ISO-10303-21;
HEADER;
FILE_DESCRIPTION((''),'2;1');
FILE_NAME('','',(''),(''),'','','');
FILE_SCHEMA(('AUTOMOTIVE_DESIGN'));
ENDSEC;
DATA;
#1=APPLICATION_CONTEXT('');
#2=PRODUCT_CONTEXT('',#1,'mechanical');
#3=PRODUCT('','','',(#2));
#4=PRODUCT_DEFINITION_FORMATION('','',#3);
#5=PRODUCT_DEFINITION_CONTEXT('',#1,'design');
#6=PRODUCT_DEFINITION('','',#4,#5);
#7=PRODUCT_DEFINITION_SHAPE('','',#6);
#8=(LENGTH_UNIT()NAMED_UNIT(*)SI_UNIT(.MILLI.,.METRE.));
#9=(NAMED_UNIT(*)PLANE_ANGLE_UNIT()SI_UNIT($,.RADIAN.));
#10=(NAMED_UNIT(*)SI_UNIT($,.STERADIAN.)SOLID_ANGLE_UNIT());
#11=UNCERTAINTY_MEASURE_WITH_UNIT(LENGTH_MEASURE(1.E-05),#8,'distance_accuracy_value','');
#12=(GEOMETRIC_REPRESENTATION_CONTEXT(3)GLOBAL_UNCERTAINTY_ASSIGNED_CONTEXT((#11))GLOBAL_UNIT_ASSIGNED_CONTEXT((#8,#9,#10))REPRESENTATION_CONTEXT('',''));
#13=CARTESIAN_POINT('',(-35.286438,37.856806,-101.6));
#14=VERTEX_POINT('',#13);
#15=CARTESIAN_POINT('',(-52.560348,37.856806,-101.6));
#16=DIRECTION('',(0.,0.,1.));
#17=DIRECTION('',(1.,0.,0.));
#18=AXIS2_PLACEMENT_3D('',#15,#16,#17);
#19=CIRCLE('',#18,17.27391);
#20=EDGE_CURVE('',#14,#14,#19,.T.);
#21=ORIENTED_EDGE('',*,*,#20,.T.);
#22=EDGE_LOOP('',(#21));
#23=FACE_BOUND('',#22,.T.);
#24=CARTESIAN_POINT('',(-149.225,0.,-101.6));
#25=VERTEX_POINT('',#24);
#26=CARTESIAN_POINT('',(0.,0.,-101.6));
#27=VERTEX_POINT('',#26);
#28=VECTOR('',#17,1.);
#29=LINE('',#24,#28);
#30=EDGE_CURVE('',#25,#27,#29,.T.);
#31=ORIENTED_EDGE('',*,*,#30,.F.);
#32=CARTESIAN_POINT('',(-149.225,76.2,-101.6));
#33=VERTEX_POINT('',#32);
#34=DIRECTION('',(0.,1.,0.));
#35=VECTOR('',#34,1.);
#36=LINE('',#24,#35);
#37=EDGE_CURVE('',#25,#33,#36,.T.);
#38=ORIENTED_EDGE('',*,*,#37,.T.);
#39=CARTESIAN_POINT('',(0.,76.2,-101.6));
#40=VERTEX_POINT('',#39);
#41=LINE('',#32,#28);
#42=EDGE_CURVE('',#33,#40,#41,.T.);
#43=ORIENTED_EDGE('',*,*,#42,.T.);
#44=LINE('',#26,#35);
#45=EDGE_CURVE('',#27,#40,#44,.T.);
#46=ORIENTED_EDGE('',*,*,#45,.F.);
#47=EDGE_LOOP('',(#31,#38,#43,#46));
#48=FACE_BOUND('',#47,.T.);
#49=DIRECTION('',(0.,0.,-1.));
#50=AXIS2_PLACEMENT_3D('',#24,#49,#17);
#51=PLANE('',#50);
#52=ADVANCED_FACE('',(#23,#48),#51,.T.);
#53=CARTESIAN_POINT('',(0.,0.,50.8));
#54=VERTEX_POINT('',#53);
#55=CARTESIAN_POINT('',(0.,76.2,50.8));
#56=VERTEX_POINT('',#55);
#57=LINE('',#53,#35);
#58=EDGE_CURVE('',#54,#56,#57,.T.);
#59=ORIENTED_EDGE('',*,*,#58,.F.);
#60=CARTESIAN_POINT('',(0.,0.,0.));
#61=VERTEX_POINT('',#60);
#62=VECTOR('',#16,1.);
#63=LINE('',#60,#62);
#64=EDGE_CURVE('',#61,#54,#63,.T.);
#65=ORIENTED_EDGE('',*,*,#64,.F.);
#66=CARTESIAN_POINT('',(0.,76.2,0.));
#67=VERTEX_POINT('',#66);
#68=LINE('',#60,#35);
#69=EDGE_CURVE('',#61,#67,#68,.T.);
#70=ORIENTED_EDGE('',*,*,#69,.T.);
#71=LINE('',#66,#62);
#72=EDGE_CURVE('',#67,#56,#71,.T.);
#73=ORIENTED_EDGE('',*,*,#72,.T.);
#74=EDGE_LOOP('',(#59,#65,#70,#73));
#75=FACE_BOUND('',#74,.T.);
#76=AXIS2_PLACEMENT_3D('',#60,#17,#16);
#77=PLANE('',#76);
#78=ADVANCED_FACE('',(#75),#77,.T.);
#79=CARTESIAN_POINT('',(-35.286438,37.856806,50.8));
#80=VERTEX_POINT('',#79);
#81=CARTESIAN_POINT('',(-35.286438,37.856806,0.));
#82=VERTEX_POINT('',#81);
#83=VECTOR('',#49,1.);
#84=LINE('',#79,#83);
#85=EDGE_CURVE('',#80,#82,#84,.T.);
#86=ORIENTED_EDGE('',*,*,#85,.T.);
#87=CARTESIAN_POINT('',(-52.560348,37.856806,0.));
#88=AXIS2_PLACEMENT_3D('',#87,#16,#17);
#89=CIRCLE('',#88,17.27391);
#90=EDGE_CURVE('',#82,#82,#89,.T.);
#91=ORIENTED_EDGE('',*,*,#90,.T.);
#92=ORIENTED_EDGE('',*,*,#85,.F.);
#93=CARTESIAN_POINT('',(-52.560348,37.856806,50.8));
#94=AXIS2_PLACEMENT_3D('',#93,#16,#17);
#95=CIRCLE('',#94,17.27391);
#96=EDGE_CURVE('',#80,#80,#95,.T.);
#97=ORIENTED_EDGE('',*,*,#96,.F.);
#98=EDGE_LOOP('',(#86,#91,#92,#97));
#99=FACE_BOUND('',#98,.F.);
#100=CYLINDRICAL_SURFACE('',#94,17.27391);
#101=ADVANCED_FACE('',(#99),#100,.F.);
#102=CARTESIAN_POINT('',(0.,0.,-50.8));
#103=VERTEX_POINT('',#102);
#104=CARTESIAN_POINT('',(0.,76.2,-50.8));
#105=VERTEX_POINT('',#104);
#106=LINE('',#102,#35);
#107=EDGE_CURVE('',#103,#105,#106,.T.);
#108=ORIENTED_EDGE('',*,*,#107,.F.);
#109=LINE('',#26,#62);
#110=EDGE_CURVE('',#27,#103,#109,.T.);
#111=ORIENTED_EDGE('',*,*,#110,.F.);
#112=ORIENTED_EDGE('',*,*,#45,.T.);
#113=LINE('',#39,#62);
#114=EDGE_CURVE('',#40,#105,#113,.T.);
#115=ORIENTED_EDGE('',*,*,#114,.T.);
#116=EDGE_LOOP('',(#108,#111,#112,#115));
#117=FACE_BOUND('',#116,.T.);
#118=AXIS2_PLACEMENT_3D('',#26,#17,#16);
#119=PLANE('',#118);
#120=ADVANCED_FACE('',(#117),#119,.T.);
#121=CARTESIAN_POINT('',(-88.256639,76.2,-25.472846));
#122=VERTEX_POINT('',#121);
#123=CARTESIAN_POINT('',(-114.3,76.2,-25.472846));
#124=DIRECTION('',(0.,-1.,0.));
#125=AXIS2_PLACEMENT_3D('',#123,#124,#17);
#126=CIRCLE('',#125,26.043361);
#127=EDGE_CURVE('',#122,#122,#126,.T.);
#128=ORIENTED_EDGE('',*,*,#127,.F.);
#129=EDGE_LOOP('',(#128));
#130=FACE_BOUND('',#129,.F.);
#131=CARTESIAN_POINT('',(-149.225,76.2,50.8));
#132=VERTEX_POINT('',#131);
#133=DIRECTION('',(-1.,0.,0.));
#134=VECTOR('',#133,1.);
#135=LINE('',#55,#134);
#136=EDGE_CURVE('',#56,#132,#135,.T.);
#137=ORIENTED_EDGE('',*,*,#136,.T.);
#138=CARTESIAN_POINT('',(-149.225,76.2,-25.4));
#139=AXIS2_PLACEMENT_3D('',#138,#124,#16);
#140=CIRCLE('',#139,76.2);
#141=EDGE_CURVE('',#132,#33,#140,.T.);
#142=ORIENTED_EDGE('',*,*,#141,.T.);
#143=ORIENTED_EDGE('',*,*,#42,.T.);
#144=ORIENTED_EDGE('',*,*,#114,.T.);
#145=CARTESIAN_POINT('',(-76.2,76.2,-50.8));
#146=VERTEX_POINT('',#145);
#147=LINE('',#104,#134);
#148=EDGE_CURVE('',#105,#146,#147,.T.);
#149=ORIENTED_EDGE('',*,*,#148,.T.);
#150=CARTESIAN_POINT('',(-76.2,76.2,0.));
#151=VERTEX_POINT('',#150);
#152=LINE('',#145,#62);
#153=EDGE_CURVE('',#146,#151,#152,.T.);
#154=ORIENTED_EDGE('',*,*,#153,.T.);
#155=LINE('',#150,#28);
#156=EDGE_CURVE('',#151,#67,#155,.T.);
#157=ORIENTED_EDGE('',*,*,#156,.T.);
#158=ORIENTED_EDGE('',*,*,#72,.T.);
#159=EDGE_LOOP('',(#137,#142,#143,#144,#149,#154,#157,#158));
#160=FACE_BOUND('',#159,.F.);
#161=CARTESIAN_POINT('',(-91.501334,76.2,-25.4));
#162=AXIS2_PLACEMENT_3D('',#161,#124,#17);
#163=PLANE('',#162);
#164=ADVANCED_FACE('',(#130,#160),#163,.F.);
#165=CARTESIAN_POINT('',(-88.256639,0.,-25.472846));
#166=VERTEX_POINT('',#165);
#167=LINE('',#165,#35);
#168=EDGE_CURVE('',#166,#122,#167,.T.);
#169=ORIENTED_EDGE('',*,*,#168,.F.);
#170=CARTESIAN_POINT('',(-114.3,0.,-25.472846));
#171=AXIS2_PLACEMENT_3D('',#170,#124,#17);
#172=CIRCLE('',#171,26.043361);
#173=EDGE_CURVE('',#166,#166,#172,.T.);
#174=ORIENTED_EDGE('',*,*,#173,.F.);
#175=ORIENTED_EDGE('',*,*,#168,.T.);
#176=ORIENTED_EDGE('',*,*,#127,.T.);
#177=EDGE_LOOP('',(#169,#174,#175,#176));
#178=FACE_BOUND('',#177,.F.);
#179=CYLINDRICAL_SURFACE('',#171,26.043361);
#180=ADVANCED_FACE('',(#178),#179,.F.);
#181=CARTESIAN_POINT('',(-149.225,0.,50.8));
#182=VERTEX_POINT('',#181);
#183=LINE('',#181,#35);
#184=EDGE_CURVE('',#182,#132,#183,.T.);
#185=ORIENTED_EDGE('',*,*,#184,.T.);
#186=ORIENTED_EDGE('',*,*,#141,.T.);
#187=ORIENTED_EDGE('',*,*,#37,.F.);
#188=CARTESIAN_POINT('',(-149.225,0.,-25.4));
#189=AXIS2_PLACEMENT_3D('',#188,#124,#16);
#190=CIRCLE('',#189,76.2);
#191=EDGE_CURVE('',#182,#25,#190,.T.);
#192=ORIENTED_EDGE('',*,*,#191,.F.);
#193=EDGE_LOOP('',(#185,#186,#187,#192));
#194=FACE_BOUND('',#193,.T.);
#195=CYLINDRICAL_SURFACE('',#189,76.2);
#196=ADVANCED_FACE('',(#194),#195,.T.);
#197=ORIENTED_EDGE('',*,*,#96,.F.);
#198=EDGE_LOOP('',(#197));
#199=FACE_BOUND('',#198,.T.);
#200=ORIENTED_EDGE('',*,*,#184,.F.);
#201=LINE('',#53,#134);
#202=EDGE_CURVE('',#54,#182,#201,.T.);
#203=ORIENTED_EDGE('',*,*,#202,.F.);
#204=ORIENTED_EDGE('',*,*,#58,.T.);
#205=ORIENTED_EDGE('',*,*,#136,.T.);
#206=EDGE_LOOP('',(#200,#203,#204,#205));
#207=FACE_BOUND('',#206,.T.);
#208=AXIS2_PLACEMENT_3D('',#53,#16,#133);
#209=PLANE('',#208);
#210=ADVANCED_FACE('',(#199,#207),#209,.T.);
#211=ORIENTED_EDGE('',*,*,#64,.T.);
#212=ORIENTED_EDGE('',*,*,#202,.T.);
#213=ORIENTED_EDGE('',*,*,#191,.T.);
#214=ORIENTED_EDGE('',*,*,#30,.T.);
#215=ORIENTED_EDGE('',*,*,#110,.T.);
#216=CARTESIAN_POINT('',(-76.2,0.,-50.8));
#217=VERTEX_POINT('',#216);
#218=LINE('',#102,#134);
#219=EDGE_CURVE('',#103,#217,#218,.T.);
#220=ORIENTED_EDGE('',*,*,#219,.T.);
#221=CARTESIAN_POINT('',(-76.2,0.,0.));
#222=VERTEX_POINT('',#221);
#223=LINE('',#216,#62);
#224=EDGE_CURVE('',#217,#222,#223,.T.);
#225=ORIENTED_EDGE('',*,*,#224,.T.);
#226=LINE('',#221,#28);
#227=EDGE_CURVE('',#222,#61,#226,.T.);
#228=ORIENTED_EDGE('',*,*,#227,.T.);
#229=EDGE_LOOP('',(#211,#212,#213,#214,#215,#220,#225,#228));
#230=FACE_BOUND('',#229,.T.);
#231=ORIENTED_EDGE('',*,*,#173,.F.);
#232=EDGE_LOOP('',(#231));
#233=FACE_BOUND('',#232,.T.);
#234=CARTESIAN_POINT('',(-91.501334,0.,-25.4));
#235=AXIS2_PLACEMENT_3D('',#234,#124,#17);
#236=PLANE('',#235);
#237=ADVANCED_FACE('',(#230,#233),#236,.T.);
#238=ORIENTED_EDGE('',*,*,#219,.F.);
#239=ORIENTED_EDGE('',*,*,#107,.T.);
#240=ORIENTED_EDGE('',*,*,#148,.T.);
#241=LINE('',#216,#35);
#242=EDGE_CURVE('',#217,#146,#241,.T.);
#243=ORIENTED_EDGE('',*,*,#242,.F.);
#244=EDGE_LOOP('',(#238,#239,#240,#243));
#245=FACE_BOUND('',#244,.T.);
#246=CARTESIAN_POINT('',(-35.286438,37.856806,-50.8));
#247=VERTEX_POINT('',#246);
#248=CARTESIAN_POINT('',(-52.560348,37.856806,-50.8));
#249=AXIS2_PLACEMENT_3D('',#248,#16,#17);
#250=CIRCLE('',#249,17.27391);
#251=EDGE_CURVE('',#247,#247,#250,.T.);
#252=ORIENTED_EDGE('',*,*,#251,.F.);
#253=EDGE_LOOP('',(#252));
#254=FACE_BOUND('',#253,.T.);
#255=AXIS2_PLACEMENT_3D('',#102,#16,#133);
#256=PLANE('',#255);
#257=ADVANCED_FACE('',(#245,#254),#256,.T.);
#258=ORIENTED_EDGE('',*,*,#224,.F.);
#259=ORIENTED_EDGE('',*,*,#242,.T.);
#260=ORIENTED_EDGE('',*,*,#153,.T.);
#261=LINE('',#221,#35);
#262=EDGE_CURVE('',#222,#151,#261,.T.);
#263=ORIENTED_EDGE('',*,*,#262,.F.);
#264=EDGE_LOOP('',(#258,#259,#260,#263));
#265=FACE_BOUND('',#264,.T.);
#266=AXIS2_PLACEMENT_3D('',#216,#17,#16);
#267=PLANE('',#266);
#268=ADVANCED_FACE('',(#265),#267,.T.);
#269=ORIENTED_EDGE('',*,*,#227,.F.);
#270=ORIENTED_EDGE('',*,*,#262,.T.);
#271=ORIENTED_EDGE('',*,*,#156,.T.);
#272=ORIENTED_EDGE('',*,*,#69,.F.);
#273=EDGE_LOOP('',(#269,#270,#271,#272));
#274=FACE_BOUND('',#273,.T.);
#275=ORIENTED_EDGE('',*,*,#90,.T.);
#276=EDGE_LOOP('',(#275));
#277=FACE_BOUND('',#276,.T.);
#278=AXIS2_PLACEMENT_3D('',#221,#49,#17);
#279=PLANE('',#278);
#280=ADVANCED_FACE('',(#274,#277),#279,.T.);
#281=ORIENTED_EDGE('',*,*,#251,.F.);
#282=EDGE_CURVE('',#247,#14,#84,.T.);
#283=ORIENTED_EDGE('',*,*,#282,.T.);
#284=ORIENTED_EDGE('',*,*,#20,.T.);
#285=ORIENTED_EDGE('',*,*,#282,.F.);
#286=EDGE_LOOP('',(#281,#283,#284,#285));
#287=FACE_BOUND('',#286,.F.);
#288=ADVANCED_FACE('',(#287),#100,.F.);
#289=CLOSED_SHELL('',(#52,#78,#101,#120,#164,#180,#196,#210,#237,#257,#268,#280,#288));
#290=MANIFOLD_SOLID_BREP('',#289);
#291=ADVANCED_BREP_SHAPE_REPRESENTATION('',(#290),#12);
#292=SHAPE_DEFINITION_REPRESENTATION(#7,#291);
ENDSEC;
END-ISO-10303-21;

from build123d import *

# Parameters (mm, degrees)
F0_R     = 26.043361
F1_DEPTH = 76.2
F2_R     = 17.27391
F3_DEPTH = 152.4


with BuildPart() as f1:
    # F0 (on Front) → F1 (new body)
    with BuildSketch(Plane.XZ):
        with BuildLine():
            Line((-76.2, 0), (0, 0))
            Line((0, 0), (0, 50.8))
            Line((0, 50.8), (-149.225, 50.8))
            ThreePointArc((-149.225, 50.8), (-225.425, -25.4), (-149.225, -101.6))
            Line((-149.225, -101.6), (0, -101.6))
            Line((0, -101.6), (0, -50.8))
            Line((0, -50.8), (-76.2, -50.8))
            Line((-76.2, -50.8), (-76.2, 0))
        make_face()
        with Locations((-114.3, -25.472846)):
            Circle(F0_R, mode=Mode.SUBTRACT)
    extrude(amount=-F1_DEPTH)

    # F2 (on face) → F3 (cut)
    with BuildSketch(Plane.XY.offset(50.8)):
        with Locations((-52.560348, 37.856806)):
            Circle(F2_R)
    extrude(amount=-F3_DEPTH, mode=Mode.SUBTRACT)


solid = f1.part
